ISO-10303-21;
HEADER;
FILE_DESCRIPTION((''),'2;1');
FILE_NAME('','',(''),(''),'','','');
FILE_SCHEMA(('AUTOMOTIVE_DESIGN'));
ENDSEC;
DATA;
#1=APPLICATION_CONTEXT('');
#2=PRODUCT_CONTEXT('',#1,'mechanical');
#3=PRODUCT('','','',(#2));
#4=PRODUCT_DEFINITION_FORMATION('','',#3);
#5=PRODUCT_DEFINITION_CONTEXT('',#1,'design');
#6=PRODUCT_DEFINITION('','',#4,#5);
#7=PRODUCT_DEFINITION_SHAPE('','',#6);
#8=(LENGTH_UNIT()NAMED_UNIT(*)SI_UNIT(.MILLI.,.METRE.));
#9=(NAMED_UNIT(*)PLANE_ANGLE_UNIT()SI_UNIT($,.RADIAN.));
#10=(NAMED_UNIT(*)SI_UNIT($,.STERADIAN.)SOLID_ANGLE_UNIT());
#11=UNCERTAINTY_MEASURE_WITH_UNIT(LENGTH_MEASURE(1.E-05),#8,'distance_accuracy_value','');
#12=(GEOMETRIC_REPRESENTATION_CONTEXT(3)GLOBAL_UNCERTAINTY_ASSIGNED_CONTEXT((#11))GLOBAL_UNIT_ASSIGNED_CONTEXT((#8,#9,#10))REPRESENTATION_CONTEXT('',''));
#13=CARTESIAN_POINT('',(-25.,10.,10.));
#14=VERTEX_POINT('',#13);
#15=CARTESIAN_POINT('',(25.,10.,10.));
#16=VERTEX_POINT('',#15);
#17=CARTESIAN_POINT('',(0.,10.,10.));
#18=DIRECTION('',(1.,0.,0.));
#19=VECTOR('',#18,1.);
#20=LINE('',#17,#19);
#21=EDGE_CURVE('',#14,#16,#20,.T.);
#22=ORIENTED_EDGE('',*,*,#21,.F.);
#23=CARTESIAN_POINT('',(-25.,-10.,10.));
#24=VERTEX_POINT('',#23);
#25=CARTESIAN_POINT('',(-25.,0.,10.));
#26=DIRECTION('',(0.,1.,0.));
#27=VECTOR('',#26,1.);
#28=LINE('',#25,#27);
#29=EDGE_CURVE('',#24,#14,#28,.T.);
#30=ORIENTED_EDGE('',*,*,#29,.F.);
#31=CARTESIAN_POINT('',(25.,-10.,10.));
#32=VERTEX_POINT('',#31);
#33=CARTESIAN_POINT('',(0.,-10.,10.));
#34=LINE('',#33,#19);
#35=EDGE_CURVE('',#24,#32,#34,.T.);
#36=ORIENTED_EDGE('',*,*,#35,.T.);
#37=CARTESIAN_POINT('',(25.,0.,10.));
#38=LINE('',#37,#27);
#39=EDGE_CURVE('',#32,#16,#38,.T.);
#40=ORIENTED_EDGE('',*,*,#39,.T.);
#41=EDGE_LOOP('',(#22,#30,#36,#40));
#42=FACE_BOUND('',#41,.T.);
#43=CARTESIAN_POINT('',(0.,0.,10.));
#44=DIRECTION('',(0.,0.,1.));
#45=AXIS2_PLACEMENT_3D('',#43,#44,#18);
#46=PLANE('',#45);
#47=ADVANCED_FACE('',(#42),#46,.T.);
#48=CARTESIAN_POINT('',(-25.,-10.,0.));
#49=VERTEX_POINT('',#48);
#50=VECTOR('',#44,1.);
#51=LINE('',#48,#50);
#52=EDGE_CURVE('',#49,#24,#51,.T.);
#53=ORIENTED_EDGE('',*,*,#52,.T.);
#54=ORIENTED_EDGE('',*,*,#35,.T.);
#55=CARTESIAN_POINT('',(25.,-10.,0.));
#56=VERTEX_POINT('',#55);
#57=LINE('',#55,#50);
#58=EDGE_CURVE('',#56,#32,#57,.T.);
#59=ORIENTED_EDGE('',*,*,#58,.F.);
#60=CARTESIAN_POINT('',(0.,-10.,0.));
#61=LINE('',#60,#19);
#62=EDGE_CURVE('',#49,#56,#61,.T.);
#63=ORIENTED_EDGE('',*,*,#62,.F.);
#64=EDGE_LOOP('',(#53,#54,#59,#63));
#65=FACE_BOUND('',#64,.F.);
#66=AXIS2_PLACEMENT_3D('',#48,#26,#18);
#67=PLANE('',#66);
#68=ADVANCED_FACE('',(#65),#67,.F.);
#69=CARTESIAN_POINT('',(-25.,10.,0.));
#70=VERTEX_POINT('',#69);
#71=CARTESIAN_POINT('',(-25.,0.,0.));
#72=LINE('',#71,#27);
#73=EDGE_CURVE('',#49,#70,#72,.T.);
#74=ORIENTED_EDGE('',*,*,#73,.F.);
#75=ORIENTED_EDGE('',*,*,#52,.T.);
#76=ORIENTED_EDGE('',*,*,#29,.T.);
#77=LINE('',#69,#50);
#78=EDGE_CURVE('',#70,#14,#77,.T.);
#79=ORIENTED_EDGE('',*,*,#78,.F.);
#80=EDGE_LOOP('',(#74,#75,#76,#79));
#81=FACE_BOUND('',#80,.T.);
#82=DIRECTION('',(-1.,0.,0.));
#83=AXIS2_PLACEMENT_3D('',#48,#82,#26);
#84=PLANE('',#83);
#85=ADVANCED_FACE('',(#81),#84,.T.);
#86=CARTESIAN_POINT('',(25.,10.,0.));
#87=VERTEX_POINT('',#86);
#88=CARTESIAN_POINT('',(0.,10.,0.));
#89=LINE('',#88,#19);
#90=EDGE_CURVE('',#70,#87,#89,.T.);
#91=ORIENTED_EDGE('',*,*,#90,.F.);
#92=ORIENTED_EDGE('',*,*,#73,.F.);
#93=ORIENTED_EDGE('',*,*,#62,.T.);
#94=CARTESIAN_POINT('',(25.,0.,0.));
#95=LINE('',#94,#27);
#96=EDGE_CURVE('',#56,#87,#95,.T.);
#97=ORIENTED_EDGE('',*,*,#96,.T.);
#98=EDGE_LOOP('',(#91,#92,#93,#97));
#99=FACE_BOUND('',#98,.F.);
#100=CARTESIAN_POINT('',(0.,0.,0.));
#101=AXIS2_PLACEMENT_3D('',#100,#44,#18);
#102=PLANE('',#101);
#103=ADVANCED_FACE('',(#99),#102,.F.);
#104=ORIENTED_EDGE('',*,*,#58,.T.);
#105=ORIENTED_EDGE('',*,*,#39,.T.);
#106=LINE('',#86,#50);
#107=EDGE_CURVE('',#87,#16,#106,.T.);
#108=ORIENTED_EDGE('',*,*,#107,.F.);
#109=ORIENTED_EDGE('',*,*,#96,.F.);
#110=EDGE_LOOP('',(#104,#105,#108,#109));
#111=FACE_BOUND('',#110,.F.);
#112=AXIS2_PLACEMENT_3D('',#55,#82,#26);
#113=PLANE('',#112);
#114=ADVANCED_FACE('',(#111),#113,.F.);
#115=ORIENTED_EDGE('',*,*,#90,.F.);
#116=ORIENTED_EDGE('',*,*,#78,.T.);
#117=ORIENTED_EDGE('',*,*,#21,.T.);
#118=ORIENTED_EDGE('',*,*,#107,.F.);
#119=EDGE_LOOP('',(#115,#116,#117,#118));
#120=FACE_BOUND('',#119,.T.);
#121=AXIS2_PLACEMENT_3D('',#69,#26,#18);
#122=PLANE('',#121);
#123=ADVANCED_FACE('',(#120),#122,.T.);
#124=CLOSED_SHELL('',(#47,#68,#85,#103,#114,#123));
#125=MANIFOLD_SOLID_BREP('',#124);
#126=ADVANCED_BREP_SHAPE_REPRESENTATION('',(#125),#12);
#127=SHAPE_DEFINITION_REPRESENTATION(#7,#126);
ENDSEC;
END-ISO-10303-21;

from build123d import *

# Parameters (mm, degrees)
ESBO_O1_W                = 50
ESBO_O1_H                = 20
RESSALTO_EXTRUS_O1_DEPTH = 10


with BuildPart() as part:
    # Esboço1 → Ressalto-extrusão1 (new body)
    with BuildSketch(Plane.XY):
        Rectangle(ESBO_O1_W, ESBO_O1_H)
    extrude(amount=RESSALTO_EXTRUS_O1_DEPTH)


solid = part.part
